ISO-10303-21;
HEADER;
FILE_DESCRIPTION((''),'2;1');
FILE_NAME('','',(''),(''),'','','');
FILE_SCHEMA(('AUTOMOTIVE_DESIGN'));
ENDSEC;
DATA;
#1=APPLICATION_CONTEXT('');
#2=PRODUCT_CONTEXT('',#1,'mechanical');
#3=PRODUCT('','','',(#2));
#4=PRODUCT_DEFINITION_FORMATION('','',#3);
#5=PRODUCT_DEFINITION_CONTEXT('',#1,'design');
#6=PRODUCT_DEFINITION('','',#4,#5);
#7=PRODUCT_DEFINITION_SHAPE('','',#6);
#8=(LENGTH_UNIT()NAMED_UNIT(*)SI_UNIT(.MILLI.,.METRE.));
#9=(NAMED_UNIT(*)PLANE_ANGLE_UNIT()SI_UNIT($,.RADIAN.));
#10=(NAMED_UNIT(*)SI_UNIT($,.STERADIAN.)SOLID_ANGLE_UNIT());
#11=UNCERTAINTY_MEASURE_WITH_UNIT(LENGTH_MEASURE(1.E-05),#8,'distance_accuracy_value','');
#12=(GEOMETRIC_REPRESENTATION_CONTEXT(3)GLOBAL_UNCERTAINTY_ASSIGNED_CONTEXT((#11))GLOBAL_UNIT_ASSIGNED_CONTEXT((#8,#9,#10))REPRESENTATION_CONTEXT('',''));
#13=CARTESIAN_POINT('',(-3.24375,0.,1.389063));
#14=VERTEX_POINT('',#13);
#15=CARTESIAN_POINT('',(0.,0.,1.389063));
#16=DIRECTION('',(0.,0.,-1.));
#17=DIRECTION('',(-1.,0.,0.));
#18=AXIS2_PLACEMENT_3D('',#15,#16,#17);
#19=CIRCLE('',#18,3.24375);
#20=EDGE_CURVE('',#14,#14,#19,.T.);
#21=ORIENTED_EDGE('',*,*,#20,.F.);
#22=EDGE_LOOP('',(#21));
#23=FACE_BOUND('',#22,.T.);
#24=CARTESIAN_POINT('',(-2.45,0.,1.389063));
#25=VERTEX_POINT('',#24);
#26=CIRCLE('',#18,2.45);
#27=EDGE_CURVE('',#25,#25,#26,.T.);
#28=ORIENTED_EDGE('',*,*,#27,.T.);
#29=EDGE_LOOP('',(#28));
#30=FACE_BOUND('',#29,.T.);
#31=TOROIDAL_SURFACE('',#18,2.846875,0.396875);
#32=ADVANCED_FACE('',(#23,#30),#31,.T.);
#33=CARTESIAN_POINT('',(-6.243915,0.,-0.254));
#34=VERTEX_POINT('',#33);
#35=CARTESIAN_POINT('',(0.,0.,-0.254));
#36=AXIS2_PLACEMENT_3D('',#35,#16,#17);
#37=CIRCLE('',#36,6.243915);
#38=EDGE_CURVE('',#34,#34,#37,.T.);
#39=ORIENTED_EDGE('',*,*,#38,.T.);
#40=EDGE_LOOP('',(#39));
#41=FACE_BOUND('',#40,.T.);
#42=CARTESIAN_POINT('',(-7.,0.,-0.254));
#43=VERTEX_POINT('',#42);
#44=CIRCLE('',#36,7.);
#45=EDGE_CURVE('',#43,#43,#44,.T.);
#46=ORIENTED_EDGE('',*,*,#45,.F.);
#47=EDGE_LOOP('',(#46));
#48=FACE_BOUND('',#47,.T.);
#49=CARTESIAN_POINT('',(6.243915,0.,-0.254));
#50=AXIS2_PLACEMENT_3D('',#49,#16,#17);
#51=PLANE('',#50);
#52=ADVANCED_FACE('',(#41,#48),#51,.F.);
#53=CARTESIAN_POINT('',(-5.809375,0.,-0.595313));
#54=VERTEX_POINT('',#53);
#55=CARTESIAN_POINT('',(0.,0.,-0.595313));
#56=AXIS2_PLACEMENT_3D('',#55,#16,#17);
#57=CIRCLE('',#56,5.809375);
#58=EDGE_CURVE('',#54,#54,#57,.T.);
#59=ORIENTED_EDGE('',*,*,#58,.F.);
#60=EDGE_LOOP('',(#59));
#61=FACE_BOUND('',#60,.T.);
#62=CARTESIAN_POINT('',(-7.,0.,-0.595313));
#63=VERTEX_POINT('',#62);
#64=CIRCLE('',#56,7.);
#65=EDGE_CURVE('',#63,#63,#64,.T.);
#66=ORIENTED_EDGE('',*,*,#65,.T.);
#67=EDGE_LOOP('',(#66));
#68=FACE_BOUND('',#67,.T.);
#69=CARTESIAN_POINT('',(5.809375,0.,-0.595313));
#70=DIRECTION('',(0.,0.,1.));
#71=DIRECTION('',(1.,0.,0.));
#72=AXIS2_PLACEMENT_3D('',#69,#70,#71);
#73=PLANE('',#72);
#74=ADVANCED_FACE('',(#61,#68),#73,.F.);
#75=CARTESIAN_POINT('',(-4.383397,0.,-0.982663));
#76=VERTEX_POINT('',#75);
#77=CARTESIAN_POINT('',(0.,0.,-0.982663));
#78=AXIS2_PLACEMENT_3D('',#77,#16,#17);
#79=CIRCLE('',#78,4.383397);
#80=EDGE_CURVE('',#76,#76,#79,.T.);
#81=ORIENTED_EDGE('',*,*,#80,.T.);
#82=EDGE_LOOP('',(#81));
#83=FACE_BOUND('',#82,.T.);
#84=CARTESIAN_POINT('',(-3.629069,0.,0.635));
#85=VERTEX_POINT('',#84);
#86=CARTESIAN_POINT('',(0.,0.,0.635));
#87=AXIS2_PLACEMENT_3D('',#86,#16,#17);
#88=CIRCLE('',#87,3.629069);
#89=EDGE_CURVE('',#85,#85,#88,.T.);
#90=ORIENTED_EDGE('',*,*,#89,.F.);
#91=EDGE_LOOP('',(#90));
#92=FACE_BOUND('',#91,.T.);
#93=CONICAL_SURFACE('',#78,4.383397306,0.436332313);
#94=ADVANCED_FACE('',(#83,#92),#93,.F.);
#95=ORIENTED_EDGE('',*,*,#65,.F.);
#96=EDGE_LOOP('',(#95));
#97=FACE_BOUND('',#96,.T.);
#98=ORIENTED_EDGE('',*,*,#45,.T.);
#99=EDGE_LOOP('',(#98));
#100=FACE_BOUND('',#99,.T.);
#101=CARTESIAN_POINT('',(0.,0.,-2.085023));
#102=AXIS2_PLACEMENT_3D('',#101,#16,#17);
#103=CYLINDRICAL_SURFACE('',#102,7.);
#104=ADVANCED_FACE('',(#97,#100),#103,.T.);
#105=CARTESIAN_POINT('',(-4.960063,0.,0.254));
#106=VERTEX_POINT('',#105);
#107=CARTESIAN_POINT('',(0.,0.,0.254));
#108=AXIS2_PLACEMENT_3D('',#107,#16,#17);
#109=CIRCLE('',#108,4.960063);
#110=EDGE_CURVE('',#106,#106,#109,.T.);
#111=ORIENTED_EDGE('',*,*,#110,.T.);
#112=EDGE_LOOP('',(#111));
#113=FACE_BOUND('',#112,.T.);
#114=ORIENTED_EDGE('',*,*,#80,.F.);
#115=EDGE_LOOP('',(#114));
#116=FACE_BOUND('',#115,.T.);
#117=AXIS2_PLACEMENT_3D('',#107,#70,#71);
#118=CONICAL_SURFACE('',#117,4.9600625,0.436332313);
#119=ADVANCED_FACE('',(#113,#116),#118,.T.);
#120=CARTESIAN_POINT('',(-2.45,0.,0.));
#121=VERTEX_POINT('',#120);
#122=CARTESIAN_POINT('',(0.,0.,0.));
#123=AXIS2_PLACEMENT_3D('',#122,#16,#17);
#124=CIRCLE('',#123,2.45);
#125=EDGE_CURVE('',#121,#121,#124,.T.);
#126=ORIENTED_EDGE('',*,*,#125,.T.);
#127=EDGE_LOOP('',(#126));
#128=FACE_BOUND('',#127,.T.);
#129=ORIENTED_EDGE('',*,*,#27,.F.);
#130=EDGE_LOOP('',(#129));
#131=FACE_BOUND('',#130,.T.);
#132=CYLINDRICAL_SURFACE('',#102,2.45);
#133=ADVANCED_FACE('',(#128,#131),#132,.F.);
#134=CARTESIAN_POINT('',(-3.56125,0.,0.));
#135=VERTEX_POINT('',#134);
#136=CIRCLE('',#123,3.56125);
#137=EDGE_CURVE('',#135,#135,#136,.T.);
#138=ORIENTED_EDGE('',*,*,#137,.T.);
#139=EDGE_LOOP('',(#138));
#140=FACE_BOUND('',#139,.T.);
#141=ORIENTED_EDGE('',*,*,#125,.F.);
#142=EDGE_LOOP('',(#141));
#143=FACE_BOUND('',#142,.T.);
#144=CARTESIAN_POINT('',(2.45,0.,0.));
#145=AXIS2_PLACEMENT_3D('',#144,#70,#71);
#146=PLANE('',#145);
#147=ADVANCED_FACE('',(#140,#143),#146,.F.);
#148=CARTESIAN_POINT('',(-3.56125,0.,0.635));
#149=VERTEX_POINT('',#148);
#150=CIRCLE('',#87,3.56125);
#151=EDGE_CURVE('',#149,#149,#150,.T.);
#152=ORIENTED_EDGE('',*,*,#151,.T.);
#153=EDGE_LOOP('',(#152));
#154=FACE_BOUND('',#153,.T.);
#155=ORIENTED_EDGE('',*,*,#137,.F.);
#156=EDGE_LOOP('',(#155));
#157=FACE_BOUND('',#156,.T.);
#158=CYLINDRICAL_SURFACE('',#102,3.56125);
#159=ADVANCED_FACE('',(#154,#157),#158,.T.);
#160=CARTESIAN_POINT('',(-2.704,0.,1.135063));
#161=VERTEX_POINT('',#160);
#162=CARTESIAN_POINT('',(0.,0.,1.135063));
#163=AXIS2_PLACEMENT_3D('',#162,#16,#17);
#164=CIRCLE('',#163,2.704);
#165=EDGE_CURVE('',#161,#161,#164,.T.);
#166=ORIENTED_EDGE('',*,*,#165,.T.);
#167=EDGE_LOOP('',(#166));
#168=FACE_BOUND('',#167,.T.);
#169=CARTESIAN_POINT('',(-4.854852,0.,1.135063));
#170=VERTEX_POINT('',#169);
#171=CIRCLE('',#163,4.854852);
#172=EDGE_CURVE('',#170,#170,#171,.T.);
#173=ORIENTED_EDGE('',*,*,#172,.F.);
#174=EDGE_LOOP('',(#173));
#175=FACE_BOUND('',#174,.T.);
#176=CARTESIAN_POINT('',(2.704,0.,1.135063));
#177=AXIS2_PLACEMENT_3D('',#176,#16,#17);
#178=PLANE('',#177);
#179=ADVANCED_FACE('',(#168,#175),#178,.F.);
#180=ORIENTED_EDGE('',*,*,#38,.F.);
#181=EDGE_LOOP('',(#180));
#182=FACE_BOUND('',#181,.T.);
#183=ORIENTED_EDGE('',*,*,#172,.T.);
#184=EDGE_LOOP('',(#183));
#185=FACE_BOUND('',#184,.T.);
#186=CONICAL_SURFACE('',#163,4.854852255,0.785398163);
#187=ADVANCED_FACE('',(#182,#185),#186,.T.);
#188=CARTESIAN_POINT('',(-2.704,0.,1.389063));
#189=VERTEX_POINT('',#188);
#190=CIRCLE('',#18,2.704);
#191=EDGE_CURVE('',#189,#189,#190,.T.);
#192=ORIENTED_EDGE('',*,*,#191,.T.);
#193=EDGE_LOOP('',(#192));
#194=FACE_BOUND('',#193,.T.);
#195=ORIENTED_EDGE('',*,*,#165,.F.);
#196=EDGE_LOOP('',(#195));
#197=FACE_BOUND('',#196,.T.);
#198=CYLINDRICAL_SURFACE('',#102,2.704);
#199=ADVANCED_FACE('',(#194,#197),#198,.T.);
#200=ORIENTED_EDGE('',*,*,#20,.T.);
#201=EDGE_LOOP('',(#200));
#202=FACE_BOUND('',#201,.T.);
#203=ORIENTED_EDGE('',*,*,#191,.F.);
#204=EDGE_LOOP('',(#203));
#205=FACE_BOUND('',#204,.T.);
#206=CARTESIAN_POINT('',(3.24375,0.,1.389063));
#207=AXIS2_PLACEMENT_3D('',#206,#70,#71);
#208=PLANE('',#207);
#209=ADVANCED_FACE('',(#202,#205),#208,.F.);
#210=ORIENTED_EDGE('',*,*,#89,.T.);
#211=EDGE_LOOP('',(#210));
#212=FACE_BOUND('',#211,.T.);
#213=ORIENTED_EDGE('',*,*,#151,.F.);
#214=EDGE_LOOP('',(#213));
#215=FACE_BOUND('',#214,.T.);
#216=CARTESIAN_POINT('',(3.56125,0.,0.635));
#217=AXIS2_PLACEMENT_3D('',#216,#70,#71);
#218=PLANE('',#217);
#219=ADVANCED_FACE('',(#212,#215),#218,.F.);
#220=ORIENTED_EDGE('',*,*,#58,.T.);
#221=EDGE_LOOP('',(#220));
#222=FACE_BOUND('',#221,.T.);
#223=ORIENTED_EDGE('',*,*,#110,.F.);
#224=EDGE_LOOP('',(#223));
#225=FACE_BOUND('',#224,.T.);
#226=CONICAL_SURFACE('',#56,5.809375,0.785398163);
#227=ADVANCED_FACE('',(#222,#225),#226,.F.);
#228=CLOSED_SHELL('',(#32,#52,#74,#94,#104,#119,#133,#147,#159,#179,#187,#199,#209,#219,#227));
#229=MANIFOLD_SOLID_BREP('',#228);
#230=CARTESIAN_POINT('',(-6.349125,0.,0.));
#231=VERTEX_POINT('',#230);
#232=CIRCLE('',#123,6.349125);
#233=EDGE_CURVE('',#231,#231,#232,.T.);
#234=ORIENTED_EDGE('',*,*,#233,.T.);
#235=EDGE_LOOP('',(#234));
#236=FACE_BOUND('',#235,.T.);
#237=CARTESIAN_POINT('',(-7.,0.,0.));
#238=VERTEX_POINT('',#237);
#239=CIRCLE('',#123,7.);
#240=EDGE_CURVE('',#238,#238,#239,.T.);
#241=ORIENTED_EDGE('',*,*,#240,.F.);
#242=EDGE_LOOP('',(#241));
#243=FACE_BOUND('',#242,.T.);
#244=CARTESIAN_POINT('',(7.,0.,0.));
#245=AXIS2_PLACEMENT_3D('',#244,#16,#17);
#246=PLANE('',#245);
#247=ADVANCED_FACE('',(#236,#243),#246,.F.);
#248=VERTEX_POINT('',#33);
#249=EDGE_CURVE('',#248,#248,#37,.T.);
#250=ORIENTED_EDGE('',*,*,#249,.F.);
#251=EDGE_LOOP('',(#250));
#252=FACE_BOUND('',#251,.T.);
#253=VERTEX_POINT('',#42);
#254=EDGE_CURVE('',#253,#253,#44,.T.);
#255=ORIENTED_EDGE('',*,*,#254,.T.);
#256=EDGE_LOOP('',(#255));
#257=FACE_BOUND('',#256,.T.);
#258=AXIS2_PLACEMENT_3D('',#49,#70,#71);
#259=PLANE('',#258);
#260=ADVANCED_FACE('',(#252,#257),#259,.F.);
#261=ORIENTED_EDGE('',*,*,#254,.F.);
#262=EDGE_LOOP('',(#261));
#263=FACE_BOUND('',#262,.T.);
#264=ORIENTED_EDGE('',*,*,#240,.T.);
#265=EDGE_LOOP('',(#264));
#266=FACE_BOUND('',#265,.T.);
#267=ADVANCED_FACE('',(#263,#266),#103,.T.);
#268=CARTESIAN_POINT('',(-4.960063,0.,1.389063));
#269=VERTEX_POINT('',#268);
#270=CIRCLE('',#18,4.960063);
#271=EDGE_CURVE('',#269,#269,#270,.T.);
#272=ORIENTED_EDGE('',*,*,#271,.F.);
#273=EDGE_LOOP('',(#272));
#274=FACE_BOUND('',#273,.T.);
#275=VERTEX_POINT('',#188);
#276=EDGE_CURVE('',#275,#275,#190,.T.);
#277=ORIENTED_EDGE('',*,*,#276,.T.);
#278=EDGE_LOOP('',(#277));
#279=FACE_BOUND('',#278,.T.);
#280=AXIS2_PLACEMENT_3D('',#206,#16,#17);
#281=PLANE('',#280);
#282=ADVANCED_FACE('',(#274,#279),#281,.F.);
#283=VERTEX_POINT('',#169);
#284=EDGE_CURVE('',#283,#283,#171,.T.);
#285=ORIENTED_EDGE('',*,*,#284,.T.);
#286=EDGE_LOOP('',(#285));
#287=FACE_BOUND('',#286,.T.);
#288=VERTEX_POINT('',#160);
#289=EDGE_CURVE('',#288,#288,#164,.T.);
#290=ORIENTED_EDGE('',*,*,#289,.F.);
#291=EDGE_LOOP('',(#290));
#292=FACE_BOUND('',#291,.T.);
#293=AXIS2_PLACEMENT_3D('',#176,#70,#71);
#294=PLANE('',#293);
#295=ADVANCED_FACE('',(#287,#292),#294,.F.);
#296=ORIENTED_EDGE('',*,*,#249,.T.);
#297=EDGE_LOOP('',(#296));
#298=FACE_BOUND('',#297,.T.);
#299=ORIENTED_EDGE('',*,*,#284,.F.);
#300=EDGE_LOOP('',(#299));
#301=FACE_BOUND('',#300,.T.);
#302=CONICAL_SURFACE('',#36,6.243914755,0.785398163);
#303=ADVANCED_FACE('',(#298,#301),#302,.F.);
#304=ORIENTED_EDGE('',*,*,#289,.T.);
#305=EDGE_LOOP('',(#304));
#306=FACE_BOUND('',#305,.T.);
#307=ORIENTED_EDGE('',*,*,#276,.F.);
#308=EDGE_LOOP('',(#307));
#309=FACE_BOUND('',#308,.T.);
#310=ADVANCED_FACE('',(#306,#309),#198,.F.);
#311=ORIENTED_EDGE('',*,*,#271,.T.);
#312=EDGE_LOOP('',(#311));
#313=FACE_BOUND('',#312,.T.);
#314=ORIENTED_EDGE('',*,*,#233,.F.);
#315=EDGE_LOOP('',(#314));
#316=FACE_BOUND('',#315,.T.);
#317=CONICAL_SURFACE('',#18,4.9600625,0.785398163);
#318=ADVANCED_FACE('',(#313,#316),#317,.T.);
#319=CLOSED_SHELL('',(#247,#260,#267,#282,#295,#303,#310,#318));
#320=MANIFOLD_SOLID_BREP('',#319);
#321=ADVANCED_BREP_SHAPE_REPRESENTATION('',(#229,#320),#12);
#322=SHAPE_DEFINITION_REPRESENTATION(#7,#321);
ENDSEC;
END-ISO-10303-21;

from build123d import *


with BuildPart() as part:
    # Sketch2 → Revolve1 (revolve)
    with BuildSketch(Plane(origin=(0, 0, 0), x_dir=(1, 0, 0), z_dir=(0, 1, 0))):
        Polygon((3.24375, -1.3890625), (2.704, -1.3890625), (2.704, -1.1350625), (4.854852255, -1.1350625), (6.243914755, 0.254), (7, 0.254), (7, 0), (6.349125, 0), (4.9600625, -1.3890625), align=None)
    revolve(axis=Axis((0, 0, -2.0850225), (0, 0, 1)))


with BuildPart() as body_2:
    # Sketch3 → Revolve2 (revolve)
    with BuildSketch(Plane(origin=(0, 0, 0), x_dir=(1, 0, 0), z_dir=(0, 1, 0))):
        with BuildLine():
            Line((2.45, -1.3890625), (2.45, 0))
            Line((2.45, 0), (3.56125, 0))
            Line((3.56125, 0), (3.56125, -0.635))
            Line((3.56125, -0.635), (3.629068894, -0.635))
            Line((3.629068894, -0.635), (4.383397306, 0.9826625))
            Line((4.383397306, 0.9826625), (4.9600625, -0.254))
            Line((4.9600625, -0.254), (5.809375, 0.5953125))
            Line((5.809375, 0.5953125), (7, 0.5953125))
            Line((7, 0.5953125), (7, 0.254))
            Line((7, 0.254), (6.243914755, 0.254))
            Line((6.243914755, 0.254), (4.854852255, -1.1350625))
            Line((4.854852255, -1.1350625), (2.704, -1.1350625))
            Line((2.704, -1.1350625), (2.704, -1.3890625))
            Line((2.704, -1.3890625), (3.24375, -1.3890625))
            ThreePointArc((3.24375, -1.3890625), (2.846875, -1.7859375), (2.45, -1.3890625))
        make_face()
    revolve(axis=Axis((0, 0, -2.0850225), (0, 0, 1)))


solid = Compound([part.part, body_2.part])
